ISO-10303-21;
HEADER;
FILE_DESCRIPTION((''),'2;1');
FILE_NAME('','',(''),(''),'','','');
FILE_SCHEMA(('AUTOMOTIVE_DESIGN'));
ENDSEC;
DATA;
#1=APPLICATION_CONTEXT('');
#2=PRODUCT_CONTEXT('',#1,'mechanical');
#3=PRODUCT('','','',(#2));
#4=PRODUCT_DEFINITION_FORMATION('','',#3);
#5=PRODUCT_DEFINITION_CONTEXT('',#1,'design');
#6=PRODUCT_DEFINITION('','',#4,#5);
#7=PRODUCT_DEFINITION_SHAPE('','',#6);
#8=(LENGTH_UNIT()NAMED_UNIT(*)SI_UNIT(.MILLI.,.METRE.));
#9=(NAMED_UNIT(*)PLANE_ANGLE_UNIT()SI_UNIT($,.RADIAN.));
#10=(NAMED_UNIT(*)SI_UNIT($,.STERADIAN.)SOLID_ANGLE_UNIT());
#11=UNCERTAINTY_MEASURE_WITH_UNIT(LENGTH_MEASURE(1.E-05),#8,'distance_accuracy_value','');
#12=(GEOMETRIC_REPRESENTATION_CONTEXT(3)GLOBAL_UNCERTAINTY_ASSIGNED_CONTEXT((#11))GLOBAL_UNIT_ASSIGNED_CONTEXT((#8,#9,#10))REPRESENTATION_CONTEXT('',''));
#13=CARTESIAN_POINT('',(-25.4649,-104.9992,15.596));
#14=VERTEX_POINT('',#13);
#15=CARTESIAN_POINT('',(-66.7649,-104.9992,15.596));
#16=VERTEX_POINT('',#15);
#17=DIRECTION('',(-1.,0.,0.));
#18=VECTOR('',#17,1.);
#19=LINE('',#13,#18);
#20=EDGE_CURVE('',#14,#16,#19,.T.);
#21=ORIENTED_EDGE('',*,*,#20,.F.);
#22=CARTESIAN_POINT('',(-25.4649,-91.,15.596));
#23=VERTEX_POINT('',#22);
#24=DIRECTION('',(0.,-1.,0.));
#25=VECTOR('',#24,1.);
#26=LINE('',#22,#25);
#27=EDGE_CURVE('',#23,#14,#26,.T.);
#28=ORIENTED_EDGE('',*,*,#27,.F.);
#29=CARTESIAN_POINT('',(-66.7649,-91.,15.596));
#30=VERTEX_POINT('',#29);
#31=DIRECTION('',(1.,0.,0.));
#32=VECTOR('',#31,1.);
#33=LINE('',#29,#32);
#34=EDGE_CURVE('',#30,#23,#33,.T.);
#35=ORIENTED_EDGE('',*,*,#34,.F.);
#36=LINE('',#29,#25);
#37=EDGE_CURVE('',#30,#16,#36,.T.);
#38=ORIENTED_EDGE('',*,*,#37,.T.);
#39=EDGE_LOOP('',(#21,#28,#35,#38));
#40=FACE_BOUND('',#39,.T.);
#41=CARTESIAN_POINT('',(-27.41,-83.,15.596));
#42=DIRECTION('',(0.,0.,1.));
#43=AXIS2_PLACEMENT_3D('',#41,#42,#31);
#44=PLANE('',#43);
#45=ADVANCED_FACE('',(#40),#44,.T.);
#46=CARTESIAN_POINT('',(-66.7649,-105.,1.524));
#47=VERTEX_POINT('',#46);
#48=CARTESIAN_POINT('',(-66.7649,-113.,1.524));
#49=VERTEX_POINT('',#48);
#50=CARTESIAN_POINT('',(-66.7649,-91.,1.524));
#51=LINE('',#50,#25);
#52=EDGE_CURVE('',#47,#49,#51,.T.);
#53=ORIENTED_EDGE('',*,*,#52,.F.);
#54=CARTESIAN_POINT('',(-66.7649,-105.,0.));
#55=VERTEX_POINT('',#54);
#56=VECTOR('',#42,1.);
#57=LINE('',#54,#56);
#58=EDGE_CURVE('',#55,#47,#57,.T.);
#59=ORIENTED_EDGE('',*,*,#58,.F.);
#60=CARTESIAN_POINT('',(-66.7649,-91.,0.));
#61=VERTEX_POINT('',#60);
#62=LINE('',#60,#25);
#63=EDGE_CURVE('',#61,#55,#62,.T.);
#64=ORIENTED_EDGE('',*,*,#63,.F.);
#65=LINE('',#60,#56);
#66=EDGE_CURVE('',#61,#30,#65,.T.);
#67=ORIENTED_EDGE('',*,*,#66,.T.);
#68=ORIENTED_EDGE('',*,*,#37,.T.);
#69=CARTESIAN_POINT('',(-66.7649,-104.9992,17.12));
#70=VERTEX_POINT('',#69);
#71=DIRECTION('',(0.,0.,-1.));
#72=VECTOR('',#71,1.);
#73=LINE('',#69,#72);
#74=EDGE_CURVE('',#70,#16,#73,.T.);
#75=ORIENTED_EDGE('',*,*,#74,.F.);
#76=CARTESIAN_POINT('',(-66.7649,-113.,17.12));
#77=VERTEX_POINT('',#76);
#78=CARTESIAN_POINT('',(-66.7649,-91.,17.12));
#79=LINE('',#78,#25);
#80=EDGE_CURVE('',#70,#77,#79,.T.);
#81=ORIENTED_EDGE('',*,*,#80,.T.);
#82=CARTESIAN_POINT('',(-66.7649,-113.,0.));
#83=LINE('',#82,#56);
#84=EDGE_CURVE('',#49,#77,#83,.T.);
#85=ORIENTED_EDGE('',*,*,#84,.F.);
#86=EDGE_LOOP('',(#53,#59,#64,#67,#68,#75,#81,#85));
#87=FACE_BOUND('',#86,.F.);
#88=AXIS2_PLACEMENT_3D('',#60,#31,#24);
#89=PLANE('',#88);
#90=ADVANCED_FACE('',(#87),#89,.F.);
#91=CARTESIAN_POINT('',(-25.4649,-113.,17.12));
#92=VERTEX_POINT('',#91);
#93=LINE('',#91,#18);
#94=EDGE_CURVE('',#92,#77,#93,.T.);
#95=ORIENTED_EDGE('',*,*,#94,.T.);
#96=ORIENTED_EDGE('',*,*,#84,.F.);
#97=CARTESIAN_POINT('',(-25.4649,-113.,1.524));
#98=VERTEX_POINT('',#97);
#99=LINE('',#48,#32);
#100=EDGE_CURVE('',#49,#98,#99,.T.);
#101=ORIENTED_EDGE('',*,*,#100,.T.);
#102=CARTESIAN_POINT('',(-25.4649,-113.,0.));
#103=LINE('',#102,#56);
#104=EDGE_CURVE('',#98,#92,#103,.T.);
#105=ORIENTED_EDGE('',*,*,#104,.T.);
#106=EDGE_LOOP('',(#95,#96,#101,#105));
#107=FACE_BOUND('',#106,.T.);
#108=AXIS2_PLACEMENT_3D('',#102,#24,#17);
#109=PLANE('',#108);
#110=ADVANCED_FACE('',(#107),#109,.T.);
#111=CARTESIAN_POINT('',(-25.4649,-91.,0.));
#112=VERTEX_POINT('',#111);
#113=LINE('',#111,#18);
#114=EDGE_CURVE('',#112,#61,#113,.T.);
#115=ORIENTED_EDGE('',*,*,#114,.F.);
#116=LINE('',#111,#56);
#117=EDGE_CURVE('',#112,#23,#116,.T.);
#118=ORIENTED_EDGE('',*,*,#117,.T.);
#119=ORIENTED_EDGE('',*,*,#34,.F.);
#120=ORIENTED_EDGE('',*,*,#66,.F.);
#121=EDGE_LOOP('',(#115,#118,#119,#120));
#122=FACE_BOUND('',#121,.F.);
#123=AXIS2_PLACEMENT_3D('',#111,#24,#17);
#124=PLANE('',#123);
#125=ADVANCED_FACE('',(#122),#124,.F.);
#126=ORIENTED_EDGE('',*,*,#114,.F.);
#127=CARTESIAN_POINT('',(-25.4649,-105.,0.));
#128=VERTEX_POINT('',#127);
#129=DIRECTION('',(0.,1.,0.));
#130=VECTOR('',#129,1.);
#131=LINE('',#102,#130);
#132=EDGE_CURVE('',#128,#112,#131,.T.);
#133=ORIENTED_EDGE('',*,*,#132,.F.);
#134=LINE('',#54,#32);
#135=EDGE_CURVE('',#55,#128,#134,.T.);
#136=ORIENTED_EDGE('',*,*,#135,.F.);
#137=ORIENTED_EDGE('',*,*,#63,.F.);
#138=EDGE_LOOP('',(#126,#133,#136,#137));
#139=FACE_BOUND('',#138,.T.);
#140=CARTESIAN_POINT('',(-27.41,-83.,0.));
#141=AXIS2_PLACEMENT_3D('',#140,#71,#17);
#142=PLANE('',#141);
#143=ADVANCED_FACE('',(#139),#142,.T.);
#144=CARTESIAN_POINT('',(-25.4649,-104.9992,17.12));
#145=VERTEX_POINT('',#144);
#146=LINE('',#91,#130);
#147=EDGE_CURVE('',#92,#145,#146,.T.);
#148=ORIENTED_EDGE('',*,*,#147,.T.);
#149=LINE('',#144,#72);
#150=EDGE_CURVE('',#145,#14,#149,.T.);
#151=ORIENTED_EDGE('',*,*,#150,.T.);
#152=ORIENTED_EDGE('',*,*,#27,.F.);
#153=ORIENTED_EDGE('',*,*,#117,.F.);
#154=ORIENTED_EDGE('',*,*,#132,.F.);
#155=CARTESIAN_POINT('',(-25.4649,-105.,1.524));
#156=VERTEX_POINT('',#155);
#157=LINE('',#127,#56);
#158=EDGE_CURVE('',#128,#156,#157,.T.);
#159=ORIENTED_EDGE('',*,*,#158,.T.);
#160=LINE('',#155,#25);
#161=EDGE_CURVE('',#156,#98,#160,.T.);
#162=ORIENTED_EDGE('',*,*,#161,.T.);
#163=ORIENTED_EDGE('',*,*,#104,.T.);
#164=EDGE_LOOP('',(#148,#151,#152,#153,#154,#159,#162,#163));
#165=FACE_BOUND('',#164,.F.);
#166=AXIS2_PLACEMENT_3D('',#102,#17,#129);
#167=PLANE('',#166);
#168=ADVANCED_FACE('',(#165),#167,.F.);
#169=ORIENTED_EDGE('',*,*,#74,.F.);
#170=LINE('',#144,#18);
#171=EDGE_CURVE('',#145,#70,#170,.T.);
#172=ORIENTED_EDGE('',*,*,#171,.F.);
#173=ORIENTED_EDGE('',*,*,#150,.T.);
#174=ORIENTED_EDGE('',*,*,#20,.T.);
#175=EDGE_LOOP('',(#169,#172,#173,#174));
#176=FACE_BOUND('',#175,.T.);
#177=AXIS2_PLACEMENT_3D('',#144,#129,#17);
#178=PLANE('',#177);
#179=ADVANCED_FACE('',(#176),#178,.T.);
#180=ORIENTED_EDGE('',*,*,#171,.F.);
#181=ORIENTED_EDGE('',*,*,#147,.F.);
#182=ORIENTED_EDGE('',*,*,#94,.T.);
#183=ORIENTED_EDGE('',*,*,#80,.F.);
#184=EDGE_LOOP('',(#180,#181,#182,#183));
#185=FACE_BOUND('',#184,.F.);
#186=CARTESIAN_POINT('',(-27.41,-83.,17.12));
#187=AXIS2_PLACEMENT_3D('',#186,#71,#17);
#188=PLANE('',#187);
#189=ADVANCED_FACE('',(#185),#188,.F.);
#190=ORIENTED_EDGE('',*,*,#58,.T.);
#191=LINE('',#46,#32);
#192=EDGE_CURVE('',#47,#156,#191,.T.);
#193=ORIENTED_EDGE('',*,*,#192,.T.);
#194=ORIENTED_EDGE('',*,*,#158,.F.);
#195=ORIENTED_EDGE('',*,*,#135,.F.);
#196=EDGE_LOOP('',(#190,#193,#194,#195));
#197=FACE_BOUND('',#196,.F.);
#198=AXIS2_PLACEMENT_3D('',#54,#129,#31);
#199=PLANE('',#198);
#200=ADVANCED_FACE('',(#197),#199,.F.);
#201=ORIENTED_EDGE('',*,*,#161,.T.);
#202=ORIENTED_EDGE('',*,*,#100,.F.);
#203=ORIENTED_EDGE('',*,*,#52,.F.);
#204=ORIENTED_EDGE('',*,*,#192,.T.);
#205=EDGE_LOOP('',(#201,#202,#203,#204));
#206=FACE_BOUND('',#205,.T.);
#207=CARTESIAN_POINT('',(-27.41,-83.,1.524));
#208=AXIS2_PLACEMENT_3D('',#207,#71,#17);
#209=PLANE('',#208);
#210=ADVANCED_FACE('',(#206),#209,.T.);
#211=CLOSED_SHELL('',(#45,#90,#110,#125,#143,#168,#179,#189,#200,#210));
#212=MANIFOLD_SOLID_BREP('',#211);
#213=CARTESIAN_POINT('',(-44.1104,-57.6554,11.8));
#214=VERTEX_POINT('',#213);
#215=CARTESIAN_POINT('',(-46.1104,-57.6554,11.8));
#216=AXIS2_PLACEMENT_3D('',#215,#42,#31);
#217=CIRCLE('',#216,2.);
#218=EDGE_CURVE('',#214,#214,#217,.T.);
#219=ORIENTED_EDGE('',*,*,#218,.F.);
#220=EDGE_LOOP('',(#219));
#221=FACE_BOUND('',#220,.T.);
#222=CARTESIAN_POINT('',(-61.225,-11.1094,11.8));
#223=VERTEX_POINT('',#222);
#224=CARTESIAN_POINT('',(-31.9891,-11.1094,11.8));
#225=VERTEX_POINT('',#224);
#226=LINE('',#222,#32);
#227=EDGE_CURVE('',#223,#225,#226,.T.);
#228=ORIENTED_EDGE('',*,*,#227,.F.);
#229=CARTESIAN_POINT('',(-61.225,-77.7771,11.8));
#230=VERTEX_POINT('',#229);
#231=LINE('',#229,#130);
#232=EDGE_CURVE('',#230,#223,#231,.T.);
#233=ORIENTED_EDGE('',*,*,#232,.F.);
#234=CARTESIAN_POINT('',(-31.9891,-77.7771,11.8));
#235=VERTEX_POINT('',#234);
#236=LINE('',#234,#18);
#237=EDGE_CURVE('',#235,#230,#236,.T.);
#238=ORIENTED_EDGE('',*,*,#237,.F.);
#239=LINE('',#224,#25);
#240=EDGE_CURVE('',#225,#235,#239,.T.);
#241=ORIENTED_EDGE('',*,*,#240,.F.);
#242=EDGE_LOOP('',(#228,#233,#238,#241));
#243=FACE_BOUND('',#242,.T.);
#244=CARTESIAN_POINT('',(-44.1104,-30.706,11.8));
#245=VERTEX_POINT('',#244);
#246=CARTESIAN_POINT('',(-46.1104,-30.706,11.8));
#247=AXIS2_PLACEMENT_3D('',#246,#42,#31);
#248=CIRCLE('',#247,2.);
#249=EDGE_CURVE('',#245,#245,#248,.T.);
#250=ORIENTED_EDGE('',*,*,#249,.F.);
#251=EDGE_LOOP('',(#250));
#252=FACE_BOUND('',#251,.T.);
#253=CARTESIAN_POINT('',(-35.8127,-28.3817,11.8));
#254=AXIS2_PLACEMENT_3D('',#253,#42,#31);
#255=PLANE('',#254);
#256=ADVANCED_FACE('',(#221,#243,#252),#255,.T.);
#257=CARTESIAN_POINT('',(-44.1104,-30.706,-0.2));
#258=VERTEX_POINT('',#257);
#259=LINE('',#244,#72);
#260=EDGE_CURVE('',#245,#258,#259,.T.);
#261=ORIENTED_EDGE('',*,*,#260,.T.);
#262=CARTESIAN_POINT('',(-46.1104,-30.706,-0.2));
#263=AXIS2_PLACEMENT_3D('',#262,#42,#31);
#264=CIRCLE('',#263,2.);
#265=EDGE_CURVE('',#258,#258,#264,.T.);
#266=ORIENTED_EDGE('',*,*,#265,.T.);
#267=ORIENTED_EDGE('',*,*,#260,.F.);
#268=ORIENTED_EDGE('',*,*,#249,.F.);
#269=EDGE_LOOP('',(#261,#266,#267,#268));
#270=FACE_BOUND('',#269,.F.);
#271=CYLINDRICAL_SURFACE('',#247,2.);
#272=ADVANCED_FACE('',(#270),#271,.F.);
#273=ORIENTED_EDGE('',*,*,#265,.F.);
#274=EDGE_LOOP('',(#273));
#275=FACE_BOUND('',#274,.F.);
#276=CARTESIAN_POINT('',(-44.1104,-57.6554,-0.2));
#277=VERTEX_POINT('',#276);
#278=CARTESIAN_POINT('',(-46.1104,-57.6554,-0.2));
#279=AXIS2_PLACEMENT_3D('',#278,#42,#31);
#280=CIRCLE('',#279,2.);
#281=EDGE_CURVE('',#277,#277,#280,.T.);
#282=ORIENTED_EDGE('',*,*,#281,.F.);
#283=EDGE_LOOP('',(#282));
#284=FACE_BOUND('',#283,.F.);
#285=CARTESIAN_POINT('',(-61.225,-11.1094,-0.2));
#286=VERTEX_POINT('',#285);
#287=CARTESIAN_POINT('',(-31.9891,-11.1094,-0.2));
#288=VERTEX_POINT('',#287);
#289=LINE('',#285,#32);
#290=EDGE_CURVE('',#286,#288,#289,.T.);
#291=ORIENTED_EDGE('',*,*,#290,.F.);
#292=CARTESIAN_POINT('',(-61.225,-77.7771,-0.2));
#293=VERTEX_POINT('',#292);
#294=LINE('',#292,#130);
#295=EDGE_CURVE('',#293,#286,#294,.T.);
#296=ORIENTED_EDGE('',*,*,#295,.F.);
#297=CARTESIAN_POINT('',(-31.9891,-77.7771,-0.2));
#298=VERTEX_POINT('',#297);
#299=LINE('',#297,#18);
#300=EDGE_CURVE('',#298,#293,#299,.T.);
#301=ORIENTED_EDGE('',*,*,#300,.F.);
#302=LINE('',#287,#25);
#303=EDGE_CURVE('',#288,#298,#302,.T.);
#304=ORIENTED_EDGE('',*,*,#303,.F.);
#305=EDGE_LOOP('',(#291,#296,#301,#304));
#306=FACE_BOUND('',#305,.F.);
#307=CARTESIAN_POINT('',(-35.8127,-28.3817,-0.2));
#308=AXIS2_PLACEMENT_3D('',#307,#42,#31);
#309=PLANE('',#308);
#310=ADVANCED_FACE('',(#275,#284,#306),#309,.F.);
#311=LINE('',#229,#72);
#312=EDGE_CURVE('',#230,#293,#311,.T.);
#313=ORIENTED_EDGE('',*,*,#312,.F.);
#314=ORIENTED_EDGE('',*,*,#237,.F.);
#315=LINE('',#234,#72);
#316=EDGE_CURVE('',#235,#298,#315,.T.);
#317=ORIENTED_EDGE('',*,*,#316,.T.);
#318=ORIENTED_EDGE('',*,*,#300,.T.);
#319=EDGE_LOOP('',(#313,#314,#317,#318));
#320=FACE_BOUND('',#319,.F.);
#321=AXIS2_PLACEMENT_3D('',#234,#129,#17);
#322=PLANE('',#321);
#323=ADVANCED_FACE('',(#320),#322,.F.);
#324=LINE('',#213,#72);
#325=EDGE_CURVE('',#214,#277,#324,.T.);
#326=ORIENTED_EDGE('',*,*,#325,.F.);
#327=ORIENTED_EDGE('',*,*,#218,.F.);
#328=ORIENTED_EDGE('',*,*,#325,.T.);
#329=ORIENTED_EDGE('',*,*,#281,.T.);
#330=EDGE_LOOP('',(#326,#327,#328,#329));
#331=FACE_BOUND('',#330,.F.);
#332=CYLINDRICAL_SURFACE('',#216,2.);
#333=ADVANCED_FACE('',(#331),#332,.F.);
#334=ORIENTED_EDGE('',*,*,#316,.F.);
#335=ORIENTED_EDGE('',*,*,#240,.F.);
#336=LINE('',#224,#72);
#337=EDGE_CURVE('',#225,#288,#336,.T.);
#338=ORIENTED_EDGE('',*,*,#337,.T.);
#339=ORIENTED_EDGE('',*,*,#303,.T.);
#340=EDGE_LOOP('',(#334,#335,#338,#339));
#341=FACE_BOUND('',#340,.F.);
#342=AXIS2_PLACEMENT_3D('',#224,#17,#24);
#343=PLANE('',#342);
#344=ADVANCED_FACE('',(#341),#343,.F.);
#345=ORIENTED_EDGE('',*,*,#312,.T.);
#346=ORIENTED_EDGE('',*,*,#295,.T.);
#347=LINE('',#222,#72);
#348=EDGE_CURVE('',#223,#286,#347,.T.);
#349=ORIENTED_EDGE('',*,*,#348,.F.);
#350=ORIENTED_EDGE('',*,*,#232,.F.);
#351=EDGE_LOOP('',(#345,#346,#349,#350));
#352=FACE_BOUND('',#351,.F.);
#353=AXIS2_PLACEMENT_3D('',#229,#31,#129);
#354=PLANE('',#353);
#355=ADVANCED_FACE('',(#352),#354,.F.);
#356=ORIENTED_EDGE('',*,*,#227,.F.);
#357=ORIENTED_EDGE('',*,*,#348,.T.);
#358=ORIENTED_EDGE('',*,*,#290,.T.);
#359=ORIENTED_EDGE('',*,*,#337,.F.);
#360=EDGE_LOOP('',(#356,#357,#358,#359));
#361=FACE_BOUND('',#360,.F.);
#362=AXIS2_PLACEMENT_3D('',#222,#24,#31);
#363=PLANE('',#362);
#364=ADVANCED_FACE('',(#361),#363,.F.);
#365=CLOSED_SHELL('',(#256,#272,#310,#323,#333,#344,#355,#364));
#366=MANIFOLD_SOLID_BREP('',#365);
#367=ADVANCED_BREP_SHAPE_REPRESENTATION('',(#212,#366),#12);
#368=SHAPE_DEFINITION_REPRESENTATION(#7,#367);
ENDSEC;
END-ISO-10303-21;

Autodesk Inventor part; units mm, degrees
ref_plane "YZ Plane" through (0, 0, 0) normal (1, 0, 0) x (0, 1, 0)
ref_plane "XZ Plane" through (0, 0, 0) normal (0, 1, 0) x (-1, 0, 0)
ref_plane "Work Plane1" through (-89.882, 196577.8405, 29.6599) normal (0, 0, -1) x (-1, 0, 0)
ref_plane "Work Plane4" through (-3, 0, 29.6599) normal (0, 1, 0) x (1, 0, 0)
ref_plane "Work Plane5" through (-102.2297, 0, 0) normal (0, 1, 0) x (1, 0, 0)
sketch "Sketch9" plane through (-27.41, -83, 0) normal (0, 0, -1) x (-1, 0, 0)
  line L0 (-24.41, -8) -> (61.8197, -8) construction
  line L1 (-1.9451, -8) -> (-1.9451, -26) construction
  line L2 (39.3549, -26) -> (39.3549, -8) construction
  line L3 (0.0549, -28) -> (37.3549, -28) construction
  line L4 (-1.9451, -8) -> (39.3549, -8)
  line L5 (39.3549, -8) -> (39.3549, -30)
  line L6 (-1.9451, -30) -> (-1.9451, -8)
  line L7 (-1.9451, -30) -> (39.3549, -30)
  point P0 (-27.41, 83)
  dimension "d50" = 2
extrude "Extrusion5" add sketch "Sketch9" against normal blind 17.12
sketch "Sketch12" plane through (-27.41, -83, 17.12) normal (0, 0, 1) x (1, 0, 0)
  line L0 (1.9451, -8) -> (-39.3549, -8) construction
  line L1 (1.9451, -30) -> (1.9451, -8) construction
  line L2 (1.9451, -21.9992) -> (-39.4839, -21.9992) construction
  line L3 (-39.3549, -8) -> (-39.3549, -30) projected
  line L4 (-39.3549, -8) -> (1.9451, -8)
  line L5 (1.9451, -8) -> (1.9451, -21.9992)
  line L6 (1.9451, -21.9992) -> (-39.3549, -21.9992)
  line L7 (-39.3549, -21.9992) -> (-39.3549, -8)
  point P0 (27.41, 83)
extrude "Extrusion6" cut sketch "Sketch12" against normal blind 1.524
sketch "Sketch13" plane through (-27.41, -83, 0) normal (0, 0, -1) x (-1, 0, 0)
  line L0 (39.3549, -30) -> (-1.9451, -30) projected
  line L1 (39.3549, -8) -> (39.3549, -30) projected
  line L2 (-1.9451, -30) -> (39.3549, -30)
  line L3 (39.3549, -30) -> (39.3549, -22)
  line L4 (39.3549, -22) -> (-1.9451, -22)
  line L5 (-1.9451, -22) -> (-1.9451, -30)
  point P0 (-27.41, 83)
  dimension "d55" = 8
extrude "Extrusion7" cut sketch "Sketch13" against normal blind 1.524
ref_plane "Work Plane3" through (-46.1149, -8, 26.5711) normal (1, 0, 0) x (0, 0, -1)
sketch "Sketch14" plane through (-35.8127, -28.3817, 11.8) normal (0, 0, 1) x (1, 0, 0)
  circle A0 centre (-10.2977, 6.8817) radius 2.0002 construction
  circle A1 centre (-10.2977, -2.3243) radius 2
  line L0 (-10.2977, -2.3243) -> (-10.2977, -29.2737) construction
  circle A2 centre (-10.2977, -29.2737) radius 2
  point P0 (35.8127, 28.3817)
  dimension "d58" = 4
  dimension "d59" = 26.9494
  dimension "d60" = 4
sketch "Sketch15" plane through (-35.8127, -28.3817, 11.8) normal (0, 0, 1) x (1, 0, 0)
  line L0 (-25.4123, 17.2723) -> (3.8236, 17.2723)
  line L1 (3.8236, 17.2723) -> (3.8236, -49.3954)
  line L2 (3.8236, -49.3954) -> (-25.4123, -49.3954)
  line L3 (-25.4123, -49.3954) -> (-25.4123, 17.2723)
  point P0 (35.8127, 28.3817)
extrude "Extrusion8" add sketch "Sketch15" against normal blind 12
extrude "Extrusion9" cut sketch "Sketch14" against normal blind 30
properties part number "e4-phone_1piece pivot 2019"
